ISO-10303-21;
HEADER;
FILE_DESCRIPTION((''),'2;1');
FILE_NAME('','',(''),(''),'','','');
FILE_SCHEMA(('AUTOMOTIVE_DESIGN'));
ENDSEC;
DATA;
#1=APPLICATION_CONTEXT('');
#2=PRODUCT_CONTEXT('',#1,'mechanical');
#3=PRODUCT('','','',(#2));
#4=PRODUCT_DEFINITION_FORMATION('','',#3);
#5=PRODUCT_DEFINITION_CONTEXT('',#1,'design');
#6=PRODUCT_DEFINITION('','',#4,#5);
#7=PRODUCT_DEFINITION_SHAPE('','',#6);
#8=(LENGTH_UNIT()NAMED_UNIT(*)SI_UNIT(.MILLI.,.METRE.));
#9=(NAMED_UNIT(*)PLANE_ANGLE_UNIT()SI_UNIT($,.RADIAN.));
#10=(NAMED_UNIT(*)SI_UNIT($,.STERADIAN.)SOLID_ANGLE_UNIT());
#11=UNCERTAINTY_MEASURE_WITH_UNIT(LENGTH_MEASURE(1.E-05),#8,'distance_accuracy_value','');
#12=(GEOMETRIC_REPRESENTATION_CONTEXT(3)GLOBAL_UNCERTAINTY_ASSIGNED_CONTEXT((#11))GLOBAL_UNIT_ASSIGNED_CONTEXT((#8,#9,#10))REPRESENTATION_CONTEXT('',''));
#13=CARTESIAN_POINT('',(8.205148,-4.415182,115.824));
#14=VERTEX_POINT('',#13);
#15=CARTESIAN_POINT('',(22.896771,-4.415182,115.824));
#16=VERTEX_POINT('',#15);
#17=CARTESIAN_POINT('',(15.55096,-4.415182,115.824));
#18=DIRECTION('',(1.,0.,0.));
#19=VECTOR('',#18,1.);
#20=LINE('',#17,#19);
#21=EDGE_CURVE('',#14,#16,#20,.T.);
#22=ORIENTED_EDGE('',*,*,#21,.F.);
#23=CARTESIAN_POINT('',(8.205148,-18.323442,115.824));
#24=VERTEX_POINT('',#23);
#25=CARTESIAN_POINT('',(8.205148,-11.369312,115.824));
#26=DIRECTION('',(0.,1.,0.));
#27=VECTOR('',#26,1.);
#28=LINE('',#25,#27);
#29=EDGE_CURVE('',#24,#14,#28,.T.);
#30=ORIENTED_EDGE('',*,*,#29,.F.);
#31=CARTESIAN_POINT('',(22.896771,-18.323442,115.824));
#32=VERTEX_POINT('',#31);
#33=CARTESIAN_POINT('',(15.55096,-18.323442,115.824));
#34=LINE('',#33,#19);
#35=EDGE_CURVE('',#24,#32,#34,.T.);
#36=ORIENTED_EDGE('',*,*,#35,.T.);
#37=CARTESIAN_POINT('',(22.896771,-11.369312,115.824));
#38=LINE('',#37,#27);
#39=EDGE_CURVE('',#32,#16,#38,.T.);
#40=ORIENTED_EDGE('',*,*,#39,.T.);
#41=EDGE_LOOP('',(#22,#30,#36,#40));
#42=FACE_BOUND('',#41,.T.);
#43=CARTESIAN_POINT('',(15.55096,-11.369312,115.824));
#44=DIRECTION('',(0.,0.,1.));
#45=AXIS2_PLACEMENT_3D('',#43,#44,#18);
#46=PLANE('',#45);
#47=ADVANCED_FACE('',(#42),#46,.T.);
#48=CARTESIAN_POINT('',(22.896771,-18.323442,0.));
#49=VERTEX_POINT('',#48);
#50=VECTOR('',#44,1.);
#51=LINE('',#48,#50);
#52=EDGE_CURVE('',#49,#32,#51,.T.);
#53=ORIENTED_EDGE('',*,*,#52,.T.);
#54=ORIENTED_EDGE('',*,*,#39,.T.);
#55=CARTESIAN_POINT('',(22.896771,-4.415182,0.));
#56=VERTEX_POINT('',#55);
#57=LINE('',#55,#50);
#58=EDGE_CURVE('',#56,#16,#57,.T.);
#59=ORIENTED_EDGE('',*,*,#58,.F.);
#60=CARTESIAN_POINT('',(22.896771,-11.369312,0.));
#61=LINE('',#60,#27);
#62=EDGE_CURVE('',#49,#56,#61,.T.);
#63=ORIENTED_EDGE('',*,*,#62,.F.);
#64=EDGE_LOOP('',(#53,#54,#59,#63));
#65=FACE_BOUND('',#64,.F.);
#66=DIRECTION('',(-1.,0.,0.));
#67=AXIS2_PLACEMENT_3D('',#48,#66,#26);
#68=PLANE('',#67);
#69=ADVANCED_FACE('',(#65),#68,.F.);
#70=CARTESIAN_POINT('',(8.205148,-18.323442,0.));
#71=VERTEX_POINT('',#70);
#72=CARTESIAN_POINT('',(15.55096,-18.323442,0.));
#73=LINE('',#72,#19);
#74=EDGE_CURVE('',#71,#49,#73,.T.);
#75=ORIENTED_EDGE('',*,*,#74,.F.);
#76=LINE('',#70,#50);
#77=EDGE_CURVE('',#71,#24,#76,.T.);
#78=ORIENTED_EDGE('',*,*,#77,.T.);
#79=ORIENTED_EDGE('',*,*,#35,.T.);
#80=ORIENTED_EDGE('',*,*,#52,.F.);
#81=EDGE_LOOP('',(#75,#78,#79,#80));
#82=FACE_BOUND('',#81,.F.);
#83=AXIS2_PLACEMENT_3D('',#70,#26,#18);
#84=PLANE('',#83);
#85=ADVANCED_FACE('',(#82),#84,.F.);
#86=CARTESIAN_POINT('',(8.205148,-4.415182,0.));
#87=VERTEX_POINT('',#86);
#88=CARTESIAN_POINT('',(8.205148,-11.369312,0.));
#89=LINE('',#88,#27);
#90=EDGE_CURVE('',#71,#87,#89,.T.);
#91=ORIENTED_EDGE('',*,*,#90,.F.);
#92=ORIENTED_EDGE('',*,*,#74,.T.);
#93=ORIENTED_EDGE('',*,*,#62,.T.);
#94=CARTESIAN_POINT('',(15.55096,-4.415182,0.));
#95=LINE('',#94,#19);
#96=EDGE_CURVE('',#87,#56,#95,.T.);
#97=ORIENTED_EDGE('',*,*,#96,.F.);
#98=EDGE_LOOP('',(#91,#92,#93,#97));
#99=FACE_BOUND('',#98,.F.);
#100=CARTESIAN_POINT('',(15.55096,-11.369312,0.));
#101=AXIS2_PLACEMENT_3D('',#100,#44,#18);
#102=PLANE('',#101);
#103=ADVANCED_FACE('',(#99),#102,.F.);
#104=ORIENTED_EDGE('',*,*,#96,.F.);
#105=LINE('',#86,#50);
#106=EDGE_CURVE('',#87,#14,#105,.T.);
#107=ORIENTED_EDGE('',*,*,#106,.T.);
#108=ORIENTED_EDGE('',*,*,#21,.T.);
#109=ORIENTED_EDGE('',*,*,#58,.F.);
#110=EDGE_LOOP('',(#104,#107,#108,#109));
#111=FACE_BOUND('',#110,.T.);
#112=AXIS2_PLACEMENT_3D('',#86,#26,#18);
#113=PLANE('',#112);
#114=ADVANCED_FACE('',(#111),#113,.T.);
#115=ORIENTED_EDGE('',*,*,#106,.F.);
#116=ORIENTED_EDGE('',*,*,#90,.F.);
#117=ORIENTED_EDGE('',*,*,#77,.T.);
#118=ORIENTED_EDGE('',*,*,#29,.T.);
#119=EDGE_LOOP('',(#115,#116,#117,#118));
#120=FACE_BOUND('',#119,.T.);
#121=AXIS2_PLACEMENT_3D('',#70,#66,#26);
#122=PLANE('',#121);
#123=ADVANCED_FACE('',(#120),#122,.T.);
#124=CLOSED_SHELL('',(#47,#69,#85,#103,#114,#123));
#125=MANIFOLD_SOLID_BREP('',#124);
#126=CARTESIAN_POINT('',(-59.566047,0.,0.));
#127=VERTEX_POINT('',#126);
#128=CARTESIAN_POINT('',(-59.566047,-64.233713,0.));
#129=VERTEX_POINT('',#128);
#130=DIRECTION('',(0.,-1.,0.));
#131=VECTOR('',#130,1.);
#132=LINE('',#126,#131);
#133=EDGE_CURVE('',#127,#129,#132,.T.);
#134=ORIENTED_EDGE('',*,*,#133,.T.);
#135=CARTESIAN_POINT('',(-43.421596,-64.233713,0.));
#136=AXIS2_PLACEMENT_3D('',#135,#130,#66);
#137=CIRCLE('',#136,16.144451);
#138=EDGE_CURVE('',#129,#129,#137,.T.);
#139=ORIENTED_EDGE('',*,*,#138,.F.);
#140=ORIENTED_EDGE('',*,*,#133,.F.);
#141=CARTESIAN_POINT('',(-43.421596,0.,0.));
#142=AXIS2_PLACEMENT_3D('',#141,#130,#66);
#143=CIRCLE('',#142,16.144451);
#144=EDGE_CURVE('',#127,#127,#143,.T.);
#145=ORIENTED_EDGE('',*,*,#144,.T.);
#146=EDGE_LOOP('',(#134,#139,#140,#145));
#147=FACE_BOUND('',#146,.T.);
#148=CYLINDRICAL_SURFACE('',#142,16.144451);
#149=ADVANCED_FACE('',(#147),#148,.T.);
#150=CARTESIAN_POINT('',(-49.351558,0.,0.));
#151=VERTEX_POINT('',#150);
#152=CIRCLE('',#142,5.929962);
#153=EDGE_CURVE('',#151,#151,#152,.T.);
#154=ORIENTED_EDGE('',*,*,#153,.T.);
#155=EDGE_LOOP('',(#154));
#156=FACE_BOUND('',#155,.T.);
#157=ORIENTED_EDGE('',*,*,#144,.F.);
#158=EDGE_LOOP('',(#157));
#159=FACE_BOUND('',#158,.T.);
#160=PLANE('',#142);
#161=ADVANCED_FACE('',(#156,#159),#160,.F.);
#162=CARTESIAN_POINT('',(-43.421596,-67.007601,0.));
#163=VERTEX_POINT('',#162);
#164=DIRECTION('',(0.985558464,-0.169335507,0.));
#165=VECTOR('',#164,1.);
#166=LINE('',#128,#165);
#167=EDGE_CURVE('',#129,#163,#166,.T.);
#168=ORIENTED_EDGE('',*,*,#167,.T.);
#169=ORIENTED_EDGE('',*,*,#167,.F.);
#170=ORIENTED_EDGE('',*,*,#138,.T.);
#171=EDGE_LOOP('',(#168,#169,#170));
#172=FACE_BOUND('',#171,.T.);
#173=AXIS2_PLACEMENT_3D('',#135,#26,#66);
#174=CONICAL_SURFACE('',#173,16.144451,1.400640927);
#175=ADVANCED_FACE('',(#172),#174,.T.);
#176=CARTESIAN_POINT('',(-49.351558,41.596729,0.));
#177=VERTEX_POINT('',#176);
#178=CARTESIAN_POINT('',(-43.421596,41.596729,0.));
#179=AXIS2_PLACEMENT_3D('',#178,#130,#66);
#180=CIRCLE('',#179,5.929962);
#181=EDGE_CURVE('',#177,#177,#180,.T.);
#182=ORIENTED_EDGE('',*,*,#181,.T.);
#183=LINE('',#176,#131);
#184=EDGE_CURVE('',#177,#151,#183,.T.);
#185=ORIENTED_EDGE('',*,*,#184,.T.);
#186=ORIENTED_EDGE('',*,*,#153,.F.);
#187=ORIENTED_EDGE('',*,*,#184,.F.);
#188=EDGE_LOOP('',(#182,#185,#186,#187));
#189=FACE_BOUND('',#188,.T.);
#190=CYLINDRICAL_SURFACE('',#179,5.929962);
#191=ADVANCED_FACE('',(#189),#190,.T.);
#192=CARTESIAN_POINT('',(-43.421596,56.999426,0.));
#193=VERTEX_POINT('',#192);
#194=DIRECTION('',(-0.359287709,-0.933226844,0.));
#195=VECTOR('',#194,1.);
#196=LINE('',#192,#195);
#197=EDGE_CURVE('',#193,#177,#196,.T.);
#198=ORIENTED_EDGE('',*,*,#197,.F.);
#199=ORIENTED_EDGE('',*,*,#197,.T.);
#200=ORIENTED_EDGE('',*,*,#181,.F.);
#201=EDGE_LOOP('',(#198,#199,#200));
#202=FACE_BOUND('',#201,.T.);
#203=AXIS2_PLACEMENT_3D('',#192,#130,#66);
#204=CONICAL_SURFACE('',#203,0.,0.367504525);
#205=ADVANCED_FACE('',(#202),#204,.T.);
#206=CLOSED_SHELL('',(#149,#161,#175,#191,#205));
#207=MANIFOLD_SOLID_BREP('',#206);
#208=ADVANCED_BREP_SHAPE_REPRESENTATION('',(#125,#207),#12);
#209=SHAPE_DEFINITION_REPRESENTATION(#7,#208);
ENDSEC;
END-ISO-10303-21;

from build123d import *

# Parameters (mm, degrees)
F2_W     = 14.691623
F2_H     = 13.90826
F3_DEPTH = 115.824


with BuildPart() as f1:
    # F0 (on Top) → F1 (revolve)
    with BuildSketch(Plane.XY):
        Polygon((-59.566047, 0), (-59.566047, -64.233713), (-43.421596, -67.007601), (-43.421596, 56.999426), (-49.351558, 41.596729), (-49.351558, 0), align=None)
    revolve(axis=Axis((-43.421596, -5.004087, 0), (0, -1, 0)))


with BuildPart() as f3:
    # F2 (on Top) → F3 (new body)
    with BuildSketch(Plane.XY):
        with Locations((15.55096, -11.369312)):
            Rectangle(F2_W, F2_H)
    extrude(amount=F3_DEPTH)


solid = Compound([f1.part, f3.part])
